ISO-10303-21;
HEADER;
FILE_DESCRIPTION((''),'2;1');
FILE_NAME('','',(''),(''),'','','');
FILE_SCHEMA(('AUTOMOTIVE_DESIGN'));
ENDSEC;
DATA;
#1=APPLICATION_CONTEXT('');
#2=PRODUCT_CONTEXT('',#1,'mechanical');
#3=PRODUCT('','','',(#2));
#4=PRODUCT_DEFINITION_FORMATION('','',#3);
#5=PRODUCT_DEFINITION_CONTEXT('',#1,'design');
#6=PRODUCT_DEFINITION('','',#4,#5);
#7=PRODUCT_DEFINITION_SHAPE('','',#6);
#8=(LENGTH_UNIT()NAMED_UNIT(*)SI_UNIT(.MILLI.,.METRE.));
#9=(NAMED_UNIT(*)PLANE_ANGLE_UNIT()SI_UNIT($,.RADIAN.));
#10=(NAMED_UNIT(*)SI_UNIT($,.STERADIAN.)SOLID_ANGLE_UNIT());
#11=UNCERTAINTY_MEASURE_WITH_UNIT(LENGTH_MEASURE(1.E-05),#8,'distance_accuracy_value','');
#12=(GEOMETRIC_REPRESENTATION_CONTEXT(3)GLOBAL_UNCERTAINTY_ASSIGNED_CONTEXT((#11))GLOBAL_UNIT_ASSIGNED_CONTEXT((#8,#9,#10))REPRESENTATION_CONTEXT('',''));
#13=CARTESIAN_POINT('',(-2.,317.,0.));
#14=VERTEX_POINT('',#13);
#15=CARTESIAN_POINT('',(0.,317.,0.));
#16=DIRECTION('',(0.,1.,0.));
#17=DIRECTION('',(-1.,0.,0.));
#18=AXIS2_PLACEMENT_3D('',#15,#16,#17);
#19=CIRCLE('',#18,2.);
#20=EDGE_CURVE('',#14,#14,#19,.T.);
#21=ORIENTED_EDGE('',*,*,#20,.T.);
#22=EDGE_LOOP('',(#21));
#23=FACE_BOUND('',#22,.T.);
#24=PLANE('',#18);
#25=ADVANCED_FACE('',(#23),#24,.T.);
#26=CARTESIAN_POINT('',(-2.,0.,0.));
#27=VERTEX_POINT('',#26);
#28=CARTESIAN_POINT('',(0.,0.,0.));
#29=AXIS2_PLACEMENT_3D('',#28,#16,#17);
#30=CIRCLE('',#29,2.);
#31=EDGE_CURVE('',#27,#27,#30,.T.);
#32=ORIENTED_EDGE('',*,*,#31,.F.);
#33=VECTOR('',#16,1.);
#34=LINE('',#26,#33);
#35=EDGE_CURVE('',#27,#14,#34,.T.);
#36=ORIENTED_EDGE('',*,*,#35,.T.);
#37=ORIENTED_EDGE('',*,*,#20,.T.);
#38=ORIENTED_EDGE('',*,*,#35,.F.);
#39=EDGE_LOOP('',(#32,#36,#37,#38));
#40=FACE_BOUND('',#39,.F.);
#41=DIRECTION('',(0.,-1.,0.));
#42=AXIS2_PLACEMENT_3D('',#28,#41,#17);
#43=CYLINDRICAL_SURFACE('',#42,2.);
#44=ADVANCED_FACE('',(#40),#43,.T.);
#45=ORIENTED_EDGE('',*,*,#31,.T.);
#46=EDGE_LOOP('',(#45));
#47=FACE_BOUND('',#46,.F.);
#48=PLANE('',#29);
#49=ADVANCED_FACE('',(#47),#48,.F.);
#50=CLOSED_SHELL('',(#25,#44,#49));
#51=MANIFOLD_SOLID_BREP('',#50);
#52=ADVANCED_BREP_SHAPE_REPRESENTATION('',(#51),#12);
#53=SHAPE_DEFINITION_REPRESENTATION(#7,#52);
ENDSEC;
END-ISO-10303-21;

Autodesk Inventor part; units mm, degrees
ref_plane "YZ Plane" through (0, 0, 0) normal (1, 0, 0) x (0, 1, 0)
ref_plane "XZ Plane" through (0, 0, 0) normal (0, 1, 0) x (-1, 0, 0)
ref_plane "XY Plane" through (0, 0, 0) normal (0, 0, 1) x (1, 0, 0)
sketch "Sketch1" plane through (0, 0, 0) normal (0, 1, 0) x (-1, 0, 0)
  circle A0 centre (0, 0) radius 2
  dimension "d0" = 4
extrude "Extrusion1" add sketch "Sketch1" along normal blind 317
thread "Thread1" size "M4x0.7" class "6g" standard "ANSI Metric M Profile" full length
properties part number "barras M4"
